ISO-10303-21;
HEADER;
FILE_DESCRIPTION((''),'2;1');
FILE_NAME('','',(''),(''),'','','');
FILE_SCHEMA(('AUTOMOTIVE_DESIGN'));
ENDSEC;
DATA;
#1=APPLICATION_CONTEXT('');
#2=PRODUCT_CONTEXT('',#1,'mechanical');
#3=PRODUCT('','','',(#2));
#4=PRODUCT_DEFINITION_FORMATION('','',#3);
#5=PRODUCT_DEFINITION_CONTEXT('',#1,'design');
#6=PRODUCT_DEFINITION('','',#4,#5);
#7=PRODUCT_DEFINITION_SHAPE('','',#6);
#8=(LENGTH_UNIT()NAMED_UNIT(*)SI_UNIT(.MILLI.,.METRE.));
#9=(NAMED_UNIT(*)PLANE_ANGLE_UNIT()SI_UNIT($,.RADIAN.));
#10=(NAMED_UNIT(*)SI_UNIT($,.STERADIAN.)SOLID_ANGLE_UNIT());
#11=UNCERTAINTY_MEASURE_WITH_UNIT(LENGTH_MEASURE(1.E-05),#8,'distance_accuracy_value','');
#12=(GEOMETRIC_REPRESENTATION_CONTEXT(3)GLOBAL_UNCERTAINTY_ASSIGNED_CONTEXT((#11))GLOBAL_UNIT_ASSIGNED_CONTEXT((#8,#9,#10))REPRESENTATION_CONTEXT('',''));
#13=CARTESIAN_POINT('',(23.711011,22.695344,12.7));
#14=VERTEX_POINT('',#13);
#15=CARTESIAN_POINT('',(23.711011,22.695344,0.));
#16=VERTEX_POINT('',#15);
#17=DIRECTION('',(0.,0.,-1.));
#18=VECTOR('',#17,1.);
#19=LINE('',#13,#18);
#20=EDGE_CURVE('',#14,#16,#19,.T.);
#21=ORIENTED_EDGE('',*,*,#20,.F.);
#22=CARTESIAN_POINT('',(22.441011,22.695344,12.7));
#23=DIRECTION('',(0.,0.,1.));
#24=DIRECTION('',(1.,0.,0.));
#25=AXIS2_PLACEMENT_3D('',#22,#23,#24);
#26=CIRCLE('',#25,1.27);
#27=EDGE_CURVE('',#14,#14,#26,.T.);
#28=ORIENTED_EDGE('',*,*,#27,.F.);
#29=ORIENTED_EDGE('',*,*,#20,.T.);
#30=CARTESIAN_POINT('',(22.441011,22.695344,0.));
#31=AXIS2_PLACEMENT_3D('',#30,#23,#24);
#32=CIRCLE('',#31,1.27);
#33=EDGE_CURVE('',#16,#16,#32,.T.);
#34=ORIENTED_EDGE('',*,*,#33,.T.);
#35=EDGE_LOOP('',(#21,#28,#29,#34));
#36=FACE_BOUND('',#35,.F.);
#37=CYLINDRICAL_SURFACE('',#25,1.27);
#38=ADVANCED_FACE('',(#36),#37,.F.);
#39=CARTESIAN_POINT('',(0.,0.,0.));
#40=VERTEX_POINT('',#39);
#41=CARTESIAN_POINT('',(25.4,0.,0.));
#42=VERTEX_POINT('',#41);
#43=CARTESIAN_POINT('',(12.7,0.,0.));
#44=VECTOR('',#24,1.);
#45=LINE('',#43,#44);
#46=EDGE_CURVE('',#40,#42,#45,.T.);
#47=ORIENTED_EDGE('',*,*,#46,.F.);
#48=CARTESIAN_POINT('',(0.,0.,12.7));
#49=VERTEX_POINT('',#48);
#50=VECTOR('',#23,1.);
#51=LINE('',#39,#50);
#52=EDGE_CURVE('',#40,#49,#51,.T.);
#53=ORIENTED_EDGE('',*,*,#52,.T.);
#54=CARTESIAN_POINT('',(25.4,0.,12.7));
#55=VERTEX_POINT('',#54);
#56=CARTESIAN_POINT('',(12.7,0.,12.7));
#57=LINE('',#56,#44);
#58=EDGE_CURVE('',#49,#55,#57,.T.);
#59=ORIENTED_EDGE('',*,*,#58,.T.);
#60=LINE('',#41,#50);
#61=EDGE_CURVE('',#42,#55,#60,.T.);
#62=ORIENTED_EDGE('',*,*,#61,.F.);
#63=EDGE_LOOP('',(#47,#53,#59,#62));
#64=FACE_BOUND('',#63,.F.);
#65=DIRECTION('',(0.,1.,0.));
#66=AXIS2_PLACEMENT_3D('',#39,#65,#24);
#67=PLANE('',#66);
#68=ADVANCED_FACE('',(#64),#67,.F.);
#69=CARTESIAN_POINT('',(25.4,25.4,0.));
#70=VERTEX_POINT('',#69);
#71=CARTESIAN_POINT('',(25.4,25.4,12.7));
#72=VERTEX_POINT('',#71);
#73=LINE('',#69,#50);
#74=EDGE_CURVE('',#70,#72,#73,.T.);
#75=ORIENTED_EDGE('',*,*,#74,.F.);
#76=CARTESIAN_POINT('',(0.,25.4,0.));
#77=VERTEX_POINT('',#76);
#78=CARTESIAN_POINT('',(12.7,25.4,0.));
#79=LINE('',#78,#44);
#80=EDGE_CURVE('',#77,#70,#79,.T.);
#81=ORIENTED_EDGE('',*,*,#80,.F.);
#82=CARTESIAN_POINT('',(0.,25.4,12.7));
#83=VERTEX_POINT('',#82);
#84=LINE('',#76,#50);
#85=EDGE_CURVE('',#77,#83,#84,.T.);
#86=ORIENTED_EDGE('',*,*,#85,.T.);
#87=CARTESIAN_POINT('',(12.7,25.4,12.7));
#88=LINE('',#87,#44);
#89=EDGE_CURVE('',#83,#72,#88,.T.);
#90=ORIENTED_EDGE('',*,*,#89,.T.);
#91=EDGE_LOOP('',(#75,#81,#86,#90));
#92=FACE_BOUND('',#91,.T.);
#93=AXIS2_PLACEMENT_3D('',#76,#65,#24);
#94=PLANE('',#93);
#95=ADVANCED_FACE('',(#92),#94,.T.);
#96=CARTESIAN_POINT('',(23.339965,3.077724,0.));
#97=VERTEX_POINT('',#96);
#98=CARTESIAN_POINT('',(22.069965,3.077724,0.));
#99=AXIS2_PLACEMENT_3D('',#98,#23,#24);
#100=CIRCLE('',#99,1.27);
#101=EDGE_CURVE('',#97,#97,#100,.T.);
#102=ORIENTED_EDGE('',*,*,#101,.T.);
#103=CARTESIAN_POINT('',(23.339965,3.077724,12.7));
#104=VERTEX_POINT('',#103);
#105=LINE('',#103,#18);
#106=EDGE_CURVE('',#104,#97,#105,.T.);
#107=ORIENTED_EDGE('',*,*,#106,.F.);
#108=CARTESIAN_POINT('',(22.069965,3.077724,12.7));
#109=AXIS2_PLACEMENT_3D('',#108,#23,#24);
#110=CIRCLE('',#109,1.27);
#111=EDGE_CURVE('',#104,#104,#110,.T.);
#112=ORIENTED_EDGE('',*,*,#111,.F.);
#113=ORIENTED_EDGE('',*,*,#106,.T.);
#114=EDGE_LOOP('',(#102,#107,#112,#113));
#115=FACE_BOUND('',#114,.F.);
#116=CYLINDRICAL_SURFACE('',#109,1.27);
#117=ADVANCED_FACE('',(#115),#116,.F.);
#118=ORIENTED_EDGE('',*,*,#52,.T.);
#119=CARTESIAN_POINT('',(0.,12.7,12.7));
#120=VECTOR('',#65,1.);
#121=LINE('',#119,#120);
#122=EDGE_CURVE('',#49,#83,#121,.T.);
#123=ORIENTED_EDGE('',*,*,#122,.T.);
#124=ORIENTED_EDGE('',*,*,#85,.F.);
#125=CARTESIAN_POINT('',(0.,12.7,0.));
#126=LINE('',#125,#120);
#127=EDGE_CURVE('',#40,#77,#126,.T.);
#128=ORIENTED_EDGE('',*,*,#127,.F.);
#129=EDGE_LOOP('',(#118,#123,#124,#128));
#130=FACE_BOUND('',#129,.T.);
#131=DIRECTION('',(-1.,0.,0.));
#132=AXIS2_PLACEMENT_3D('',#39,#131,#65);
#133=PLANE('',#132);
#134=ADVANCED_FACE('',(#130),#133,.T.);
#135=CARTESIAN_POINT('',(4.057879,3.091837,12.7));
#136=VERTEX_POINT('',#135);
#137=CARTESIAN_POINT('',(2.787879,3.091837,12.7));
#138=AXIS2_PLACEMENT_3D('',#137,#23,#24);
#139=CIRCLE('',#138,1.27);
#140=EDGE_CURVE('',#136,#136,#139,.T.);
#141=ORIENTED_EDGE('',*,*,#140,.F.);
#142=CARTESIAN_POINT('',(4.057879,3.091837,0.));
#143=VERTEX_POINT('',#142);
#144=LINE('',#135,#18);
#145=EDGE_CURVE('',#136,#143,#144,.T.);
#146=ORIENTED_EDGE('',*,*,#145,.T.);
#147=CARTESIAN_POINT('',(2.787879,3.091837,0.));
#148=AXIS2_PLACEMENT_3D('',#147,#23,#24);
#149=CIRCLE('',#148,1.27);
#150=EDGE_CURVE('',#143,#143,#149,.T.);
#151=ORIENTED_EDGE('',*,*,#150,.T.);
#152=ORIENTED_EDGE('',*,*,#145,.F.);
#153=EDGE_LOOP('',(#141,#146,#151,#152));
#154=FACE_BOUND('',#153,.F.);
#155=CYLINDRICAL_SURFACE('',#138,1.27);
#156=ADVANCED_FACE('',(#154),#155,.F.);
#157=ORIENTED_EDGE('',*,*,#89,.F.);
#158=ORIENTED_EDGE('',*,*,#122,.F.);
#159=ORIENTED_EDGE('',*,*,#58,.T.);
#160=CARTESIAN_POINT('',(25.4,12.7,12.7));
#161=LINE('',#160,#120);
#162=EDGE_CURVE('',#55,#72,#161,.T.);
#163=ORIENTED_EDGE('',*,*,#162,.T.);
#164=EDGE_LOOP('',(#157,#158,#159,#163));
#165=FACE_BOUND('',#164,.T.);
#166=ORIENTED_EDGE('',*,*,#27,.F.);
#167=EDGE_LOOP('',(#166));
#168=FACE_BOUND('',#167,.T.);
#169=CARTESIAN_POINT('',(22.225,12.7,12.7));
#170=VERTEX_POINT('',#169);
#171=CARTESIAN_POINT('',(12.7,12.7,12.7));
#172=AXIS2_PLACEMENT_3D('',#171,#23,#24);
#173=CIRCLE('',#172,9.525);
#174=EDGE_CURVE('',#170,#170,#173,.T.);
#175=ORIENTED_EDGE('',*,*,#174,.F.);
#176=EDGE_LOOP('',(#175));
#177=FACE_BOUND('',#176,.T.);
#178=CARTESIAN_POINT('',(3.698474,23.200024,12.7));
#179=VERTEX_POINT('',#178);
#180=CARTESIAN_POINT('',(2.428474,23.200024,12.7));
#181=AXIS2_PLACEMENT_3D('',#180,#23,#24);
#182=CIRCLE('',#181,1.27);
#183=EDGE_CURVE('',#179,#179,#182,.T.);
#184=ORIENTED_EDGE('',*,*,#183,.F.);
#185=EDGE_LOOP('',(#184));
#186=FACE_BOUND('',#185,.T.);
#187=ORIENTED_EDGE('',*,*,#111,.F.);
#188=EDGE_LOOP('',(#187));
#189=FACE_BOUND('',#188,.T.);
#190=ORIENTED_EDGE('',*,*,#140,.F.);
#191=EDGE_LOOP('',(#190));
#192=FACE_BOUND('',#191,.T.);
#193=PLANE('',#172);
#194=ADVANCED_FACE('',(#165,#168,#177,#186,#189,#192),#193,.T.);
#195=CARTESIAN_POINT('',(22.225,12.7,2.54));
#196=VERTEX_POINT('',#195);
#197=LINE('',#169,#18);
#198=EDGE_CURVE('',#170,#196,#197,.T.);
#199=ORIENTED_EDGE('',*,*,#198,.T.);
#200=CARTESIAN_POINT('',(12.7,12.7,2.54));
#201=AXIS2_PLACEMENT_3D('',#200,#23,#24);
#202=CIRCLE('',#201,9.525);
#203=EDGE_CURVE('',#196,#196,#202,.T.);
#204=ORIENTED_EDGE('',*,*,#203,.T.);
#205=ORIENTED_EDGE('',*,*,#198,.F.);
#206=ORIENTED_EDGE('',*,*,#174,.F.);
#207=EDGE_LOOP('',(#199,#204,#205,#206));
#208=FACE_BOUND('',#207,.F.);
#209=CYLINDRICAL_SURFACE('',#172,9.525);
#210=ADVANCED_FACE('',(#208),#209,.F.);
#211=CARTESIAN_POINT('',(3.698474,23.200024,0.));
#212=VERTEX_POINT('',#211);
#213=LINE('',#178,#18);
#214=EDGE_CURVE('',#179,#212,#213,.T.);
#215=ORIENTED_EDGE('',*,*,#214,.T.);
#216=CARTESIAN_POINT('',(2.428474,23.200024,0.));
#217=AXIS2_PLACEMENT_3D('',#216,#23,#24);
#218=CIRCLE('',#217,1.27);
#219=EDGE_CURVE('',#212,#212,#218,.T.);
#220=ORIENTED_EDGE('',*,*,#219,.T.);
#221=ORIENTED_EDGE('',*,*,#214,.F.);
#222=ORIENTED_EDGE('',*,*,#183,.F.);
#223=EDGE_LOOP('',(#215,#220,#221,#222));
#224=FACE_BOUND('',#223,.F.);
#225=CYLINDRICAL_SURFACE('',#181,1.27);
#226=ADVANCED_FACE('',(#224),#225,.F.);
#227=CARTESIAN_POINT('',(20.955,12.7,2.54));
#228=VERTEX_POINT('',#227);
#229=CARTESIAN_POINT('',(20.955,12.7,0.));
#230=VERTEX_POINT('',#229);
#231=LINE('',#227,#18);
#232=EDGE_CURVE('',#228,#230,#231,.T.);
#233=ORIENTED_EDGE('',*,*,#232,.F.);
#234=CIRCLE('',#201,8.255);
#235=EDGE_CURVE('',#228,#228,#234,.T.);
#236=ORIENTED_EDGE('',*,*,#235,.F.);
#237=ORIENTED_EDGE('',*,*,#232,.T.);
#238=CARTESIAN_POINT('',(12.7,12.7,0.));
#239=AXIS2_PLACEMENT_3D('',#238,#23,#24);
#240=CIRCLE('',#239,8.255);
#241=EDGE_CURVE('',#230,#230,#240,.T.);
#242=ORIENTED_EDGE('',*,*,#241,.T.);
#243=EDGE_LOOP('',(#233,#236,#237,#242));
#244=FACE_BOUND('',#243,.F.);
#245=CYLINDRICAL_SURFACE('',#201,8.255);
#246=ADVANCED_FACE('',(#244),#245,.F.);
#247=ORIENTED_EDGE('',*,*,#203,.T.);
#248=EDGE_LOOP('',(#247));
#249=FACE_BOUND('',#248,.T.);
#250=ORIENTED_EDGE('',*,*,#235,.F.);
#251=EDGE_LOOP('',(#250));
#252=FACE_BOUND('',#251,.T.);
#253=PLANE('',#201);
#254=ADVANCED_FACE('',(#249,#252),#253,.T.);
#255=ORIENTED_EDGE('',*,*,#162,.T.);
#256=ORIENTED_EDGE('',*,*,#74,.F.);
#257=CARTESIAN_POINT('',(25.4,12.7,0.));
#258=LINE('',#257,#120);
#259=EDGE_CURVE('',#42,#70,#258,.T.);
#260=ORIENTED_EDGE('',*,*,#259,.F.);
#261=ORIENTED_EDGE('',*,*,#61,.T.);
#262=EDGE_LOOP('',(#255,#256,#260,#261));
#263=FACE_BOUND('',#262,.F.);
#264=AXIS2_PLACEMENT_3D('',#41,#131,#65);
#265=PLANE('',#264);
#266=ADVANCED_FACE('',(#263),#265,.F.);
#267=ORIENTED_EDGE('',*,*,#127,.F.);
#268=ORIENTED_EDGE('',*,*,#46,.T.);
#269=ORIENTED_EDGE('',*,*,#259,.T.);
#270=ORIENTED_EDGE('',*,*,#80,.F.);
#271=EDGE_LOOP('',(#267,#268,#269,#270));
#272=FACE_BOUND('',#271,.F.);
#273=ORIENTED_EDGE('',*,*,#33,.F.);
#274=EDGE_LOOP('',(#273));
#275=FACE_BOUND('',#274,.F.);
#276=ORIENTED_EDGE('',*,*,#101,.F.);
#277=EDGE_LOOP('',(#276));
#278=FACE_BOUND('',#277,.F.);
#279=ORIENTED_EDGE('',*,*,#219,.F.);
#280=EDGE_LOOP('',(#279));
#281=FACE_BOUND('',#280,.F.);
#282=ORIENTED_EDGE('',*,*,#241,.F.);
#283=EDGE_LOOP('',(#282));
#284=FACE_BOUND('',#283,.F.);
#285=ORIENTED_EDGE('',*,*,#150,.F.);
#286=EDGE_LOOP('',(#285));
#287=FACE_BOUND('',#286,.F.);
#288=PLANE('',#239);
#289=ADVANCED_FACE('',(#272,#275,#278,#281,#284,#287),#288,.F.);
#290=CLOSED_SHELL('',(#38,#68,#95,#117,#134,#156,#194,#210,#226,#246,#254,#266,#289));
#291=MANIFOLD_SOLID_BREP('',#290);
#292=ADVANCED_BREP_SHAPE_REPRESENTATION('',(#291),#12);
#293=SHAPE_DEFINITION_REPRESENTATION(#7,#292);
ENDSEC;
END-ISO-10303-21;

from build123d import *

# Parameters (mm, degrees)
F0_W      = 25.4
F0_H      = 25.4
F1_DEPTH  = 12.7
F2_R      = 9.525
F3_DEPTH  = 10.16
F4_R      = 8.255
F5_DEPTH  = 2.541
F6_R      = 1.27
F7_DEPTH  = 12.701
F8_R      = 1.27
F9_DEPTH  = 12.701
F10_R     = 1.27
F11_DEPTH = 12.701
F12_R     = 1.27
F13_DEPTH = 12.701


with BuildPart() as f1:
    # F0 (on Top) → F1 (new body)
    with BuildSketch(Plane.XY):
        with Locations((12.7, 12.7)):
            Rectangle(F0_W, F0_H)
    extrude(amount=F1_DEPTH)

    # F2 (on face) → F3 (cut)
    with BuildSketch(Plane.XY.offset(12.7)):
        with Locations((12.7, 12.7)):
            Circle(F2_R)
    extrude(amount=-F3_DEPTH, mode=Mode.SUBTRACT)

    # F4 (on face) → F5 (cut, through all)
    with BuildSketch(Plane.XY.offset(2.54)):
        with Locations((12.7, 12.7)):
            Circle(F4_R)
    extrude(amount=-F5_DEPTH, mode=Mode.SUBTRACT)

    # F6 (on face) → F7 (cut, through all)
    with BuildSketch(Plane.XY.offset(12.7)):
        with Locations((2.787879, 3.091837)):
            Circle(F6_R)
    extrude(amount=-F7_DEPTH, mode=Mode.SUBTRACT)

    # F8 (on face) → F9 (cut, through all)
    with BuildSketch(Plane.XY.offset(12.7)):
        with Locations((2.428474, 23.200024)):
            Circle(F8_R)
    extrude(amount=-F9_DEPTH, mode=Mode.SUBTRACT)

    # F10 (on face) → F11 (cut, through all)
    with BuildSketch(Plane.XY.offset(12.7)):
        with Locations((22.069965, 3.077724)):
            Circle(F10_R)
    extrude(amount=-F11_DEPTH, mode=Mode.SUBTRACT)

    # F12 (on face) → F13 (cut, through all)
    with BuildSketch(Plane.XY.offset(12.7)):
        with Locations((22.441011, 22.695344)):
            Circle(F12_R)
    extrude(amount=-F13_DEPTH, mode=Mode.SUBTRACT)


solid = f1.part
